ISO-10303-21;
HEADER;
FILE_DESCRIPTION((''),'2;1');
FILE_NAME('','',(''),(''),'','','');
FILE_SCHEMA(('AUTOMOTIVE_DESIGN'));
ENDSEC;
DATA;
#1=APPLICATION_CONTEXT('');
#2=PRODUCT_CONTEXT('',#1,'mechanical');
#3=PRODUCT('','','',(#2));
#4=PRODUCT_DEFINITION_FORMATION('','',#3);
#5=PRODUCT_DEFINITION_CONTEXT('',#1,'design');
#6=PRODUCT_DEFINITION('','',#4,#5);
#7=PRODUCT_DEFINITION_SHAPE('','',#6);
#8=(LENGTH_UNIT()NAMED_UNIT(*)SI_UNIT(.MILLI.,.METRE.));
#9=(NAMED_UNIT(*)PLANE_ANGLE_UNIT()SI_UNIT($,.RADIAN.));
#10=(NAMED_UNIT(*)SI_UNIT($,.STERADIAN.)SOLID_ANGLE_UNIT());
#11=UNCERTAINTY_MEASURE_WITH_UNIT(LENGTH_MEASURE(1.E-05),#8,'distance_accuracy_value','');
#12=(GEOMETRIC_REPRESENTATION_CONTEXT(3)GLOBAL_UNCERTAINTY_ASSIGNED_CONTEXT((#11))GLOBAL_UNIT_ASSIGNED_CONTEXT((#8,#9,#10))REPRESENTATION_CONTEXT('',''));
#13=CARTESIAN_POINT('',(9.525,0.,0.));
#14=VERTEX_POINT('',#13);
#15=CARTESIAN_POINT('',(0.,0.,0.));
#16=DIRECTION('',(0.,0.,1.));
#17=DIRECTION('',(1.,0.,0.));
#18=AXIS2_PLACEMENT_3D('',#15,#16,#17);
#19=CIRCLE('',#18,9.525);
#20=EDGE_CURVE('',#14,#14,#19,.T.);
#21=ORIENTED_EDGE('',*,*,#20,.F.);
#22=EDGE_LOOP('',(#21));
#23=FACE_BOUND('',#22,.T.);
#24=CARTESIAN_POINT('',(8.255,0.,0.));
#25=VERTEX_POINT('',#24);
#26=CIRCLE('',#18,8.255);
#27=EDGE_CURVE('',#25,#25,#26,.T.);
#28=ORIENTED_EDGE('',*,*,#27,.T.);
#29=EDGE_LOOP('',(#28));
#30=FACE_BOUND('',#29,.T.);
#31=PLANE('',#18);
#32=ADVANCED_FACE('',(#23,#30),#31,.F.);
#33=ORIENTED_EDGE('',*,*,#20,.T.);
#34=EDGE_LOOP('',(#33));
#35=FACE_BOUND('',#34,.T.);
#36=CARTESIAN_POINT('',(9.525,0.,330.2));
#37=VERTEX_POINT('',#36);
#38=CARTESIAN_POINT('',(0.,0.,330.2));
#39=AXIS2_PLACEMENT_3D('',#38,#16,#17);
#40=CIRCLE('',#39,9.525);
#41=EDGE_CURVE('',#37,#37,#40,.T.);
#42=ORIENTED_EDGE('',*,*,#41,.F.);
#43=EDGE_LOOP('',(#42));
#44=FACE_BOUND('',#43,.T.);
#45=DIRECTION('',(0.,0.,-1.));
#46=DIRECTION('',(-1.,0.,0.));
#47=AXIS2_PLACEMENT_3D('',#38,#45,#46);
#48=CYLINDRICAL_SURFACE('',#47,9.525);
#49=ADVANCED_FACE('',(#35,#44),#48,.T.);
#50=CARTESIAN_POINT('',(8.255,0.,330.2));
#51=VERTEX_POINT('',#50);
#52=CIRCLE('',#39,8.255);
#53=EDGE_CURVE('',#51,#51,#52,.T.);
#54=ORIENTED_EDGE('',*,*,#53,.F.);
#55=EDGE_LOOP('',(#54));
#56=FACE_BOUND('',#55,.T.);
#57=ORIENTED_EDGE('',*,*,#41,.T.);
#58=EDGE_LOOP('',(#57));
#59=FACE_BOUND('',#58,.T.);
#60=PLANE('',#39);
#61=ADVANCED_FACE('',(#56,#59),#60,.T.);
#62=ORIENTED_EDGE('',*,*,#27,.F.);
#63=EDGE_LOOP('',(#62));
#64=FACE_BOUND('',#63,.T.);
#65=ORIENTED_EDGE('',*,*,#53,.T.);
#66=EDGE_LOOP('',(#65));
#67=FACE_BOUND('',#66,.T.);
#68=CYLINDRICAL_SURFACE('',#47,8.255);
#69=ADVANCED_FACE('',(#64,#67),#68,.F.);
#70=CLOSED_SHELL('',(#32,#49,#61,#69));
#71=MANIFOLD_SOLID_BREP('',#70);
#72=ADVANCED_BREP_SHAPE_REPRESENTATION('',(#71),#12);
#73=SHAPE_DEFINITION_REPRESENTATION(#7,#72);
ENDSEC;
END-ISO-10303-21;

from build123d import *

# Parameters (mm, degrees)
SKETCH1_R           = 9.525
SKETCH1_R_2         = 8.255
BOSS_EXTRUDE1_DEPTH = 330.2


with BuildPart() as part:
    # Sketch1 → Boss-Extrude1 (new body)
    with BuildSketch(Plane.XY):
        Circle(SKETCH1_R)
        Circle(SKETCH1_R_2, mode=Mode.SUBTRACT)
    extrude(amount=BOSS_EXTRUDE1_DEPTH)


solid = part.part
